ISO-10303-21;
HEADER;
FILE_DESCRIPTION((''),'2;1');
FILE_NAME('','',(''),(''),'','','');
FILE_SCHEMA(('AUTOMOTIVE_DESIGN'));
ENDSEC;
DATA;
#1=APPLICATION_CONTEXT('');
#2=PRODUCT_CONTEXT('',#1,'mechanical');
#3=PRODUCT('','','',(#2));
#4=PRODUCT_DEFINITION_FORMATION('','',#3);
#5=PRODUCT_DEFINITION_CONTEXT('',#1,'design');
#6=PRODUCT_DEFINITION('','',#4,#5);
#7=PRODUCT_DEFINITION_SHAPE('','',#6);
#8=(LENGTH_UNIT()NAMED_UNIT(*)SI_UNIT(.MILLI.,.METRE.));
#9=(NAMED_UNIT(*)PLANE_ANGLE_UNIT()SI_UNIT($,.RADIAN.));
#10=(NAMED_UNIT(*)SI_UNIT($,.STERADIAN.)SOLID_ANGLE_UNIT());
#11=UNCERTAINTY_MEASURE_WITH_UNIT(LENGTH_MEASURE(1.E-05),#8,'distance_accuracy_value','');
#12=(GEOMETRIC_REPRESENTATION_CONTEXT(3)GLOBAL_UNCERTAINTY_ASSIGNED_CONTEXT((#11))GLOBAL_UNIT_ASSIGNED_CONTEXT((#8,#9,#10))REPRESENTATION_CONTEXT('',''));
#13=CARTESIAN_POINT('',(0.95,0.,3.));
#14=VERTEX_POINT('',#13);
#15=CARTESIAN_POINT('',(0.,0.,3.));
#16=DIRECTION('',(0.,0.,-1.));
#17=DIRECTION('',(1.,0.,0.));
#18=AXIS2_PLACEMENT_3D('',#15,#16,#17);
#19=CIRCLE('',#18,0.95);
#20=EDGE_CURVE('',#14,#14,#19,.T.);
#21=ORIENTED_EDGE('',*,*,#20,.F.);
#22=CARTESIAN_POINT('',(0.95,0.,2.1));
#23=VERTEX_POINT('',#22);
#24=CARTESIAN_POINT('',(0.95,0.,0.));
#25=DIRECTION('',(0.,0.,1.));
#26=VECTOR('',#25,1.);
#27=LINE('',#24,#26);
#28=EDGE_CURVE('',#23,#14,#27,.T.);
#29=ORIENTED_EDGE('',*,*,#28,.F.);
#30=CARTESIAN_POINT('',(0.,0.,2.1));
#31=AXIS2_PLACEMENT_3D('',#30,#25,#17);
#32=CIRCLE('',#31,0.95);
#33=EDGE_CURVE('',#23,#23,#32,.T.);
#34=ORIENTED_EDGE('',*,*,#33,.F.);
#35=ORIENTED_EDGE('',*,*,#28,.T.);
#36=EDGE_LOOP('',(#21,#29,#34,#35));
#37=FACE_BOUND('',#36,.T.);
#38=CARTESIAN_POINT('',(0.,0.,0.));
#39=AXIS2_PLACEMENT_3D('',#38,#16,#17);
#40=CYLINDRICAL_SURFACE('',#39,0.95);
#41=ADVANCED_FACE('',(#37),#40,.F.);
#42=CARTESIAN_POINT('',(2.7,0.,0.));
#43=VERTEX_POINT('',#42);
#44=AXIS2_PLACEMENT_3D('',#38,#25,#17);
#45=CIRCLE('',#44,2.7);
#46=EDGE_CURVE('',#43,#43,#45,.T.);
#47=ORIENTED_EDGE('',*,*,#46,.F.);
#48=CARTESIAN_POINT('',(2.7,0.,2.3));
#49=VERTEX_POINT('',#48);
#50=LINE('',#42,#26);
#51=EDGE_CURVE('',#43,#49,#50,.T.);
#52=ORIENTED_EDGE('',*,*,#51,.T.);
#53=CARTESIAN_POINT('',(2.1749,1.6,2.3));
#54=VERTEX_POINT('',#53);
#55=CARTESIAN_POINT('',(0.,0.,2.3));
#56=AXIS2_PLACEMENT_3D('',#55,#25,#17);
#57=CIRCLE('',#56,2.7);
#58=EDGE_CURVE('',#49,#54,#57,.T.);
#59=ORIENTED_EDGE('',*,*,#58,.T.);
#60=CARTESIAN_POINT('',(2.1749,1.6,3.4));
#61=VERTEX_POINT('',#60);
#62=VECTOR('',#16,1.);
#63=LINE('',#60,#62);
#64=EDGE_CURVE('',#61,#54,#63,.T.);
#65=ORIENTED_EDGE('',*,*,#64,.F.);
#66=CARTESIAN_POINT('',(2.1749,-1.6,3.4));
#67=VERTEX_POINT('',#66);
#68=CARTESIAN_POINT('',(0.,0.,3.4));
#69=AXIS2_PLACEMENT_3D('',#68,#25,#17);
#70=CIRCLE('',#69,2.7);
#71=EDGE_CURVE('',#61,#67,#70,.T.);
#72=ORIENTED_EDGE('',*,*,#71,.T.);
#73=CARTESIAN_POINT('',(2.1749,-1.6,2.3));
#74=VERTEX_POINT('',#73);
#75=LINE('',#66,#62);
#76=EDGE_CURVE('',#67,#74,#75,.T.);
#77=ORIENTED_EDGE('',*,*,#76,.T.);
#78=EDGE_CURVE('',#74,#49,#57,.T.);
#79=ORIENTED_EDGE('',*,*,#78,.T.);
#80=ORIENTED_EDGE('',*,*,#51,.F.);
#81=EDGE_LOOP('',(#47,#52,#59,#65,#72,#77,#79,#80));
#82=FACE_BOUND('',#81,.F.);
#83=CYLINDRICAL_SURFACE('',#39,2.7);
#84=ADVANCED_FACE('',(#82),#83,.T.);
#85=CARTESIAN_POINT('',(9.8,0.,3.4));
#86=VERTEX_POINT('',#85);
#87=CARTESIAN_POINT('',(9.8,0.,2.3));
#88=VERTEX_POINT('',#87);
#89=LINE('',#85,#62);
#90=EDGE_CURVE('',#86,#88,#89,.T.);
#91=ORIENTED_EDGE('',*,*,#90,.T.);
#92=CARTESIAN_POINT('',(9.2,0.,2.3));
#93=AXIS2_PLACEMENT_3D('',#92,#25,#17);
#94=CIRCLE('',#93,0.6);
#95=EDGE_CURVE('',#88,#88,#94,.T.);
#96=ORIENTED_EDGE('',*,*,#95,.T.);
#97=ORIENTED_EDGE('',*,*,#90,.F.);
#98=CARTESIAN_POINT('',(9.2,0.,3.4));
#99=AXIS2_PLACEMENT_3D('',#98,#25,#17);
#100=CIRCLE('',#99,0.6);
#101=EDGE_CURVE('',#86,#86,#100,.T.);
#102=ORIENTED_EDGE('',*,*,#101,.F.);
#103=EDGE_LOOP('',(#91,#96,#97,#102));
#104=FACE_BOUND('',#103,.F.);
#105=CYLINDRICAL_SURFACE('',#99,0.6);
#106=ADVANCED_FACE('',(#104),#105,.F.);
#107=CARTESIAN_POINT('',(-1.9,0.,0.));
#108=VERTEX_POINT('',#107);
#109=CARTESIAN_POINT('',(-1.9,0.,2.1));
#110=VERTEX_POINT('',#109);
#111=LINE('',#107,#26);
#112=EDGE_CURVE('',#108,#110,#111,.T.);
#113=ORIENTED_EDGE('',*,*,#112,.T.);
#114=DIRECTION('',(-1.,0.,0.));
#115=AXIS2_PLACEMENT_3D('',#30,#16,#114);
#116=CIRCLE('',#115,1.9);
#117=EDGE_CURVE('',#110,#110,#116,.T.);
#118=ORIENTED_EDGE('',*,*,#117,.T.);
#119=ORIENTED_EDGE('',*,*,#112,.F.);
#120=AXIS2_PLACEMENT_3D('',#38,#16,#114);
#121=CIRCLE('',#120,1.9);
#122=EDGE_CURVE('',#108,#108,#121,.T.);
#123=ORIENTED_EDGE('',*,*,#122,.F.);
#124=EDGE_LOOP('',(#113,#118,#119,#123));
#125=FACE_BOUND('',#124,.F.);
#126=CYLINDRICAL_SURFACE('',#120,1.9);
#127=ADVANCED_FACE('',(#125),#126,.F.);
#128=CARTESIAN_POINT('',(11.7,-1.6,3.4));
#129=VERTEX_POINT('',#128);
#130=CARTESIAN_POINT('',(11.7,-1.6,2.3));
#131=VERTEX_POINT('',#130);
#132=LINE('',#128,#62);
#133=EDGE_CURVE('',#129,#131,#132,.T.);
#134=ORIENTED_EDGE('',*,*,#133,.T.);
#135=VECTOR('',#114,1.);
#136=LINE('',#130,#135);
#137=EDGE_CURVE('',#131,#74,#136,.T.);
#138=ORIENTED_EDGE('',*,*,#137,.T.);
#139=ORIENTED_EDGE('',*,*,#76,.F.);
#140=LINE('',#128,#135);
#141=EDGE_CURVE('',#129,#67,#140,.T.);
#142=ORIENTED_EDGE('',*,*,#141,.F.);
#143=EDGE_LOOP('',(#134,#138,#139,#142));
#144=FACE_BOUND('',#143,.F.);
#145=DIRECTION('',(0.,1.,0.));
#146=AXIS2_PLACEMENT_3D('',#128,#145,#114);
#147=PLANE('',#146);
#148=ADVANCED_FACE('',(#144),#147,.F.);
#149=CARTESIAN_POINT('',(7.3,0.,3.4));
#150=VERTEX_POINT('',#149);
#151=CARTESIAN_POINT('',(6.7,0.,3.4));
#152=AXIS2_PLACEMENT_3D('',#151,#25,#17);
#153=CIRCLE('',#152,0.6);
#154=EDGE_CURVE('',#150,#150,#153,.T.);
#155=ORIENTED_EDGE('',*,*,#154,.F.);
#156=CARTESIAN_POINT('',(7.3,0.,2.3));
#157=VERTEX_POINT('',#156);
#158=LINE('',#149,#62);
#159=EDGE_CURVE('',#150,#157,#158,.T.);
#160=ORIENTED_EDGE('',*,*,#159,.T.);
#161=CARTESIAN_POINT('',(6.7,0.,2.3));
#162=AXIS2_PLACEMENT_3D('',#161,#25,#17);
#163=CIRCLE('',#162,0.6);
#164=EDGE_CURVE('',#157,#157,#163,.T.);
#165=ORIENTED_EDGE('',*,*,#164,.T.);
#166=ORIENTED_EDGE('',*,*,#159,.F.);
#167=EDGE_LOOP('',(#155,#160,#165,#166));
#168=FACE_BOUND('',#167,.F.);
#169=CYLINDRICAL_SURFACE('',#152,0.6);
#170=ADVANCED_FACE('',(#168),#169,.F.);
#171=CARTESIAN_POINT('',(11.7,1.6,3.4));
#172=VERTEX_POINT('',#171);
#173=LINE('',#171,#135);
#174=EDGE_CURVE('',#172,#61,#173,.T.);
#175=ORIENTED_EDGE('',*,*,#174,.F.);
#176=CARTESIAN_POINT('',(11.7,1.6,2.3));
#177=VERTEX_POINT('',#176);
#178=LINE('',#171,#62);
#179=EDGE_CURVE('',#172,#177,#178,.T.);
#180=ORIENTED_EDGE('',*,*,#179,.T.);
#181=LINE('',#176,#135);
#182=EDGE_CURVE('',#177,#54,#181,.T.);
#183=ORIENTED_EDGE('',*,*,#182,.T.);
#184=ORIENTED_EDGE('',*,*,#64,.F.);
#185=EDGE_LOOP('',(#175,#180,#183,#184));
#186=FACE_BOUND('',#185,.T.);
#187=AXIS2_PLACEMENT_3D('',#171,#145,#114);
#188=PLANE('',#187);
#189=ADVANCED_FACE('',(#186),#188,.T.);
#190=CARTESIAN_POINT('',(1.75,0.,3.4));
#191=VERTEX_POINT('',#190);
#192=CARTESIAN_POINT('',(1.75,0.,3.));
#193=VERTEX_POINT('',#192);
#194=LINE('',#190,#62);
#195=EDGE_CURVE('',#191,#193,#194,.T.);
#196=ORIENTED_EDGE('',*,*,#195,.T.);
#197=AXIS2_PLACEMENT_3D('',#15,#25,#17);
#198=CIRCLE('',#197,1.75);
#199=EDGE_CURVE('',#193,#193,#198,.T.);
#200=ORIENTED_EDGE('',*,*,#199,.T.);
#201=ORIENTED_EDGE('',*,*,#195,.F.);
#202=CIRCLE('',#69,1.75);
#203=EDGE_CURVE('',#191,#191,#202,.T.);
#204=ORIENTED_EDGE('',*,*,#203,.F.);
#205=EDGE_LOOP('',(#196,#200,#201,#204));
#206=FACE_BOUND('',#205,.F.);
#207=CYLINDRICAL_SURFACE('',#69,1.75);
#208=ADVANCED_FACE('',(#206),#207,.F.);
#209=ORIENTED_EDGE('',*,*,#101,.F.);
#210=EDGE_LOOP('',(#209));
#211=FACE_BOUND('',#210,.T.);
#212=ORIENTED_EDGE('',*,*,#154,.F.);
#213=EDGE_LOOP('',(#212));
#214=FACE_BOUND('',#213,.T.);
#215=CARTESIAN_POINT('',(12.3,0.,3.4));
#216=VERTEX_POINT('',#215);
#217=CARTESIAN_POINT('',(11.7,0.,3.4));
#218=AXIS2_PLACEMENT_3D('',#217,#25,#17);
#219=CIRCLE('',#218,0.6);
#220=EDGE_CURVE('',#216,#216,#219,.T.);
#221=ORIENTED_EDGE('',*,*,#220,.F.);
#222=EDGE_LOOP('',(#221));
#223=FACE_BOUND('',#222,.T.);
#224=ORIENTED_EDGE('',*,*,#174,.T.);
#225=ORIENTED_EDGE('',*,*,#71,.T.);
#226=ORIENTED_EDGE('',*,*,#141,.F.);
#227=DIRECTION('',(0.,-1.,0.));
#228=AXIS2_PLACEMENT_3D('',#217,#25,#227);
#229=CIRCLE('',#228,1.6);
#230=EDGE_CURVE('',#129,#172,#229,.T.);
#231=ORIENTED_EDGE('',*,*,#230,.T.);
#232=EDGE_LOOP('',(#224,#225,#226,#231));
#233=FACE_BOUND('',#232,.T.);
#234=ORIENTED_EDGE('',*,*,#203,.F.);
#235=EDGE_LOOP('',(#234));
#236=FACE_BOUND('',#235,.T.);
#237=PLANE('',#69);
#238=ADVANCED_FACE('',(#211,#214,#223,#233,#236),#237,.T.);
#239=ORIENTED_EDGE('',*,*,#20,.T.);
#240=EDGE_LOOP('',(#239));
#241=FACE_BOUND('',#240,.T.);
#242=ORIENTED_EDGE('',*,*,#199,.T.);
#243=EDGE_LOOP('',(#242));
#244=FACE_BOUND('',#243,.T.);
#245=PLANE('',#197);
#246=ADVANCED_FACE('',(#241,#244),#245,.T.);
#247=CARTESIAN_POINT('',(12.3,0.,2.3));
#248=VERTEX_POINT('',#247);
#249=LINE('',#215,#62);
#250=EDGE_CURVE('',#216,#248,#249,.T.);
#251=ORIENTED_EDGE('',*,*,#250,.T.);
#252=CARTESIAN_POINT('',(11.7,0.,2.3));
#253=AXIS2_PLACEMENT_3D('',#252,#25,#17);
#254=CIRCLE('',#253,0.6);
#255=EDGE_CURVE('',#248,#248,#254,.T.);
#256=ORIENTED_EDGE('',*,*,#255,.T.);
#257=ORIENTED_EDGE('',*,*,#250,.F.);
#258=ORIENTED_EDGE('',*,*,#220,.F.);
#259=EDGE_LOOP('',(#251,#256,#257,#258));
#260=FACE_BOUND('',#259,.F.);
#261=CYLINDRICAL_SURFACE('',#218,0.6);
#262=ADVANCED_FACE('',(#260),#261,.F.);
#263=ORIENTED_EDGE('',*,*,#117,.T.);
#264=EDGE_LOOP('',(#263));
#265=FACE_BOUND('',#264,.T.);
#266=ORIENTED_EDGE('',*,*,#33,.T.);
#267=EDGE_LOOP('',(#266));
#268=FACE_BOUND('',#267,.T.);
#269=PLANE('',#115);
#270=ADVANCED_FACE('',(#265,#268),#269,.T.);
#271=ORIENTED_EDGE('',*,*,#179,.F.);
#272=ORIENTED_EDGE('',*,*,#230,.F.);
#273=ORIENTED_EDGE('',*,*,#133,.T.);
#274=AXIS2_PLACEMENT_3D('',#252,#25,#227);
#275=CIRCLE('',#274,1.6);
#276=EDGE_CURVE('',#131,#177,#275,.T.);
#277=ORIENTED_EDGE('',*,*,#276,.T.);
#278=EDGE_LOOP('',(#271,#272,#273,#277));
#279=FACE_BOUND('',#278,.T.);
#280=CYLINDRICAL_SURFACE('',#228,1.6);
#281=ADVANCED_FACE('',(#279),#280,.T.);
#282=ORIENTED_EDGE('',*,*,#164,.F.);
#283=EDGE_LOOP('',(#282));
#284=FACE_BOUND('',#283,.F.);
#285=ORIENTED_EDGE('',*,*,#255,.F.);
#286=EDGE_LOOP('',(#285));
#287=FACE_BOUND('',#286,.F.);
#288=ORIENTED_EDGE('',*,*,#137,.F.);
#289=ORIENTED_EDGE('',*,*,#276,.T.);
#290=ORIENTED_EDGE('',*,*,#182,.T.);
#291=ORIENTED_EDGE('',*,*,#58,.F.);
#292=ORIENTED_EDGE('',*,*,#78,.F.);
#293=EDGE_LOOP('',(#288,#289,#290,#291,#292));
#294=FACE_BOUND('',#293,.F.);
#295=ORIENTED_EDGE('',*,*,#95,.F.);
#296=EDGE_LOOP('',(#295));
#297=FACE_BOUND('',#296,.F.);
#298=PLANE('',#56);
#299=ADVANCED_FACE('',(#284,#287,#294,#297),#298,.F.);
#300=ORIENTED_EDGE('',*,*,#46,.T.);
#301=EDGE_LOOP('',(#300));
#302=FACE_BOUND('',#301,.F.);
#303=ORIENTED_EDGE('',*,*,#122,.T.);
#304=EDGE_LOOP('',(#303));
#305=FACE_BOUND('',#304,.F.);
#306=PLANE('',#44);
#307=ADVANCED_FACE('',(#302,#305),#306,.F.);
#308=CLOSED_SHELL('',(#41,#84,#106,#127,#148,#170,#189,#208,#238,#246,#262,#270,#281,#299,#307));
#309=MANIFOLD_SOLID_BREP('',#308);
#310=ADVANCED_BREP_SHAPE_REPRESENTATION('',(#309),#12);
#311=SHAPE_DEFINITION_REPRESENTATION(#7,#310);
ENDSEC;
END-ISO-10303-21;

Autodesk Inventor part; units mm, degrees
ref_plane "YZ Plane" through (0, 0, 0) normal (1, 0, 0) x (0, 1, 0)
ref_plane "XZ Plane" through (0, 0, 0) normal (0, 1, 0) x (-1, 0, 0)
ref_plane "XY Plane" through (0, 0, 0) normal (0, 0, 1) x (1, 0, 0)
sketch "スケッチ1" plane through (0, 0, 0) normal (0, 0, 1) x (1, 0, 0)
  circle A0 centre (0, 0) radius 2.7
  circle A1 centre (0, 0) radius 0.95
  dimension "d0" = 5.4
  dimension "d1" = 1.9
extrude "押し出し1" add sketch "スケッチ1" along normal blind 3.4
sketch "スケッチ2" plane through (0, 0, 3.4) normal (0, 0, 1) x (1, 0, 0)
  circle A0 centre (0, 0) radius 1.75
  dimension "d4" = 3.5
extrude "押し出し2" cut sketch "スケッチ2" against normal blind 0.4
sketch "スケッチ3" plane through (0, 0, 0) normal (0, 0, -1) x (-1, 0, 0)
  circle A0 centre (0, 0) radius 0.95 projected
  circle A1 centre (0, 0) radius 1.9
  dimension "d7" = 3.8
extrude "押し出し3" cut sketch "スケッチ3" against normal blind 2.1
sketch "スケッチ4" plane through (0, 0, 3.4) normal (0, 0, 1) x (1, 0, 0)
  arc A0 (11.7, -1.6) -> (11.7, 1.6) centre (11.7, 0) ccw
  line L0 (11.7, 1.6) -> (2.1749, 1.6)
  circle A1 centre (0, 0) radius 2.7 projected
  line L1 (11.7, -1.6) -> (2.1749, -1.6)
  circle A2 centre (0, 0) radius 2.7 projected
  arc A3 (2.1749, -1.6) -> (2.1749, 1.6) centre (0, 0) ccw
  dimension "d10" = 11.7
  dimension "d11" = 3.2
extrude "押し出し4" add sketch "スケッチ4" against normal blind 1.1 contours L1 A1 L0 A0
sketch "スケッチ5" plane through (0, 0, 3.4) normal (0, 0, 1) x (1, 0, 0)
  arc A0 (11.7, -1.6) -> (11.7, 1.6) centre (11.7, 0) ccw projected
  circle A1 centre (11.7, 0) radius 0.6
  circle A2 centre (9.2, 0) radius 0.6
  circle A3 centre (6.7, 0) radius 0.6
  point P0 (0, 0)
  dimension "d14" = 1.2
  dimension "d15" = 2.5
  dimension "d16" = 2.5
extrude "押し出し5" cut sketch "スケッチ5" against normal up to next
properties part number "hone"
